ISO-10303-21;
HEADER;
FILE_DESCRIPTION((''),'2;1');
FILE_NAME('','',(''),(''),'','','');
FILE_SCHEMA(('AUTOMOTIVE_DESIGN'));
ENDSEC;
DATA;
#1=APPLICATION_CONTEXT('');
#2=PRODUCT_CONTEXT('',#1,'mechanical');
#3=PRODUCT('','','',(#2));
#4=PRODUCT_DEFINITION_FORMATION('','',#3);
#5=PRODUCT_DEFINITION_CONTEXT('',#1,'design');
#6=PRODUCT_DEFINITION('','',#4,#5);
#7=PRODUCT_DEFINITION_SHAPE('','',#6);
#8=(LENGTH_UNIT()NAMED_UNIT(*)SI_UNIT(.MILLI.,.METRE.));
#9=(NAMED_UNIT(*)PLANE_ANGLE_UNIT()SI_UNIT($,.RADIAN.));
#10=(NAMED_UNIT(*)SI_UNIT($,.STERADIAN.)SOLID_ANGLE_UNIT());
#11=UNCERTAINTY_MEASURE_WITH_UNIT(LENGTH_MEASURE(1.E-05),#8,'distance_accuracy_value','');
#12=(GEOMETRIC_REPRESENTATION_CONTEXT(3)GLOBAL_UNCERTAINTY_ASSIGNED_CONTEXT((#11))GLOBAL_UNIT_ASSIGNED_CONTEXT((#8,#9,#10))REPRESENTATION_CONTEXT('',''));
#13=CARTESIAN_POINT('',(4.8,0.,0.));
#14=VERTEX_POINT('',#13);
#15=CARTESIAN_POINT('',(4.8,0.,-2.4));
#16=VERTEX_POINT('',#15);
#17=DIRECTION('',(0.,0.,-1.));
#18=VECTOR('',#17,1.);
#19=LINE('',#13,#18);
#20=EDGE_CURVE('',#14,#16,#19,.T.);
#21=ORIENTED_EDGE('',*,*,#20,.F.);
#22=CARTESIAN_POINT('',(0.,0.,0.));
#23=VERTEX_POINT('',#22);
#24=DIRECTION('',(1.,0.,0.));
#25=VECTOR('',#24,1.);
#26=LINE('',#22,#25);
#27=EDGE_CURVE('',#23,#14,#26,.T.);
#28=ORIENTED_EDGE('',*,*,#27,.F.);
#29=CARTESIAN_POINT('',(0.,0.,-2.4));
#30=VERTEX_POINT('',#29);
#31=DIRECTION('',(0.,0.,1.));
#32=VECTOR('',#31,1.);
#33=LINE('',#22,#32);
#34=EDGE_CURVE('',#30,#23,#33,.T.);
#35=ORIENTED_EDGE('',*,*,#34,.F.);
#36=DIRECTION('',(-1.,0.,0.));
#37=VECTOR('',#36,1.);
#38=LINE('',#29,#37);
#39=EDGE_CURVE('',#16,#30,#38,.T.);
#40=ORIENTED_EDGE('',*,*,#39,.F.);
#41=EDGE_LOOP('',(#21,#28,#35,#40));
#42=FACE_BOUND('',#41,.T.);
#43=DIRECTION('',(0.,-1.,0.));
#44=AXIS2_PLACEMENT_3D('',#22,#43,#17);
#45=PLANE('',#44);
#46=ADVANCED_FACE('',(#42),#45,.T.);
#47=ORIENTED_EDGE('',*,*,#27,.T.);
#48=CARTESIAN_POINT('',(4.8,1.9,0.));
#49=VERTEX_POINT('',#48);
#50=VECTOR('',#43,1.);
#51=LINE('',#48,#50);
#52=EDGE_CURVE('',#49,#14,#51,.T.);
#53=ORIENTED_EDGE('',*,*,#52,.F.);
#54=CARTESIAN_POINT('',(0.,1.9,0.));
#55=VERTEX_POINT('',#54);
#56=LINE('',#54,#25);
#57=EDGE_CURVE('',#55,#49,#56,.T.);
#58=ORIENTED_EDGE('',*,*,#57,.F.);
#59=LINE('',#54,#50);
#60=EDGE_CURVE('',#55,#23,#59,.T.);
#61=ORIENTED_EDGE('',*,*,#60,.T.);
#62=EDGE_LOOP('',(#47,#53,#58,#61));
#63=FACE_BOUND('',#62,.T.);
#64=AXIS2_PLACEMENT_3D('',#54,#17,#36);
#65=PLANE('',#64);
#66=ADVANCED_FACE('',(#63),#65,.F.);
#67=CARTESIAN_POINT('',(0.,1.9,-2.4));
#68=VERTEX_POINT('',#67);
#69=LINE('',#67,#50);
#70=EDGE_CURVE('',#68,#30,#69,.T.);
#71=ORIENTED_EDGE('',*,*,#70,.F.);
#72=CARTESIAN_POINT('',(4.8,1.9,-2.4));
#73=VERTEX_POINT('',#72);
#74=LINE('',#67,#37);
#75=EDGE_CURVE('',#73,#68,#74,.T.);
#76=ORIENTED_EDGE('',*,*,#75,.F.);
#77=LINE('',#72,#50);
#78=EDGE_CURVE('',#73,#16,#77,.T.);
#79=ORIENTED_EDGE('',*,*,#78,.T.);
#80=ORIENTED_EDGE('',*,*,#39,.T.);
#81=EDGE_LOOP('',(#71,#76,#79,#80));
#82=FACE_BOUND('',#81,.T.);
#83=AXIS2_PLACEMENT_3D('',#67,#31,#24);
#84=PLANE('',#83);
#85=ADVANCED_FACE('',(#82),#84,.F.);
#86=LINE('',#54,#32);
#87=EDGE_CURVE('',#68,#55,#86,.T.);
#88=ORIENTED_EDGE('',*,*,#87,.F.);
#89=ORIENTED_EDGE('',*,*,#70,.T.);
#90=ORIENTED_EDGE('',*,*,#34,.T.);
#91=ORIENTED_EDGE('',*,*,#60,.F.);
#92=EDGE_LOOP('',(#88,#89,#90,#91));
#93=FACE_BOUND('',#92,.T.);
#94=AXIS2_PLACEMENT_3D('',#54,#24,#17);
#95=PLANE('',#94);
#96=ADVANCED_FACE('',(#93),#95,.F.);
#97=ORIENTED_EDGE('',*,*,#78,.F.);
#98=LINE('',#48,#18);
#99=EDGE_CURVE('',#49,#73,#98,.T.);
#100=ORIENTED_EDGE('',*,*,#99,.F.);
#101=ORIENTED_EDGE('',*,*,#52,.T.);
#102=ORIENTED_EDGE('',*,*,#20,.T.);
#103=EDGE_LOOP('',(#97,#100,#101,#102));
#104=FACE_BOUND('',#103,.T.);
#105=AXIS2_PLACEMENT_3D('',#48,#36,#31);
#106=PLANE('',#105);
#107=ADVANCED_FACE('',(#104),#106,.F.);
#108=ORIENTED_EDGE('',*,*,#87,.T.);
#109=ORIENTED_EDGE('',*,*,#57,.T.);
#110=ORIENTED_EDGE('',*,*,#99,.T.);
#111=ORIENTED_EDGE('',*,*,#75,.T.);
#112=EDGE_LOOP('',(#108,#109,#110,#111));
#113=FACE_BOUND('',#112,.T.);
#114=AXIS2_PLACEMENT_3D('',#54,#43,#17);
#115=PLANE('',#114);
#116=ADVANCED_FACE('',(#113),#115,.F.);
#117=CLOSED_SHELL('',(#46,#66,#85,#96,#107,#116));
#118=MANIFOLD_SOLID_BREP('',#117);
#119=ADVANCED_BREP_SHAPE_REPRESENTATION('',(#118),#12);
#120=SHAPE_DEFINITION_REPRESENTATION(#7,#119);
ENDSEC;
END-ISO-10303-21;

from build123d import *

# Parameters (mm, degrees)
SKETCH1_W           = 4.8
SKETCH1_H           = 2.4
BOSS_EXTRUDE1_DEPTH = 1.9


with BuildPart() as part:
    # Sketch1 → Boss-Extrude1 (new body)
    with BuildSketch(Plane(origin=(0, 0, 0), x_dir=(1, 0, 0), z_dir=(0, 1, 0))):
        with Locations((2.4, 1.2)):
            Rectangle(SKETCH1_W, SKETCH1_H)
    extrude(amount=BOSS_EXTRUDE1_DEPTH)


solid = part.part
